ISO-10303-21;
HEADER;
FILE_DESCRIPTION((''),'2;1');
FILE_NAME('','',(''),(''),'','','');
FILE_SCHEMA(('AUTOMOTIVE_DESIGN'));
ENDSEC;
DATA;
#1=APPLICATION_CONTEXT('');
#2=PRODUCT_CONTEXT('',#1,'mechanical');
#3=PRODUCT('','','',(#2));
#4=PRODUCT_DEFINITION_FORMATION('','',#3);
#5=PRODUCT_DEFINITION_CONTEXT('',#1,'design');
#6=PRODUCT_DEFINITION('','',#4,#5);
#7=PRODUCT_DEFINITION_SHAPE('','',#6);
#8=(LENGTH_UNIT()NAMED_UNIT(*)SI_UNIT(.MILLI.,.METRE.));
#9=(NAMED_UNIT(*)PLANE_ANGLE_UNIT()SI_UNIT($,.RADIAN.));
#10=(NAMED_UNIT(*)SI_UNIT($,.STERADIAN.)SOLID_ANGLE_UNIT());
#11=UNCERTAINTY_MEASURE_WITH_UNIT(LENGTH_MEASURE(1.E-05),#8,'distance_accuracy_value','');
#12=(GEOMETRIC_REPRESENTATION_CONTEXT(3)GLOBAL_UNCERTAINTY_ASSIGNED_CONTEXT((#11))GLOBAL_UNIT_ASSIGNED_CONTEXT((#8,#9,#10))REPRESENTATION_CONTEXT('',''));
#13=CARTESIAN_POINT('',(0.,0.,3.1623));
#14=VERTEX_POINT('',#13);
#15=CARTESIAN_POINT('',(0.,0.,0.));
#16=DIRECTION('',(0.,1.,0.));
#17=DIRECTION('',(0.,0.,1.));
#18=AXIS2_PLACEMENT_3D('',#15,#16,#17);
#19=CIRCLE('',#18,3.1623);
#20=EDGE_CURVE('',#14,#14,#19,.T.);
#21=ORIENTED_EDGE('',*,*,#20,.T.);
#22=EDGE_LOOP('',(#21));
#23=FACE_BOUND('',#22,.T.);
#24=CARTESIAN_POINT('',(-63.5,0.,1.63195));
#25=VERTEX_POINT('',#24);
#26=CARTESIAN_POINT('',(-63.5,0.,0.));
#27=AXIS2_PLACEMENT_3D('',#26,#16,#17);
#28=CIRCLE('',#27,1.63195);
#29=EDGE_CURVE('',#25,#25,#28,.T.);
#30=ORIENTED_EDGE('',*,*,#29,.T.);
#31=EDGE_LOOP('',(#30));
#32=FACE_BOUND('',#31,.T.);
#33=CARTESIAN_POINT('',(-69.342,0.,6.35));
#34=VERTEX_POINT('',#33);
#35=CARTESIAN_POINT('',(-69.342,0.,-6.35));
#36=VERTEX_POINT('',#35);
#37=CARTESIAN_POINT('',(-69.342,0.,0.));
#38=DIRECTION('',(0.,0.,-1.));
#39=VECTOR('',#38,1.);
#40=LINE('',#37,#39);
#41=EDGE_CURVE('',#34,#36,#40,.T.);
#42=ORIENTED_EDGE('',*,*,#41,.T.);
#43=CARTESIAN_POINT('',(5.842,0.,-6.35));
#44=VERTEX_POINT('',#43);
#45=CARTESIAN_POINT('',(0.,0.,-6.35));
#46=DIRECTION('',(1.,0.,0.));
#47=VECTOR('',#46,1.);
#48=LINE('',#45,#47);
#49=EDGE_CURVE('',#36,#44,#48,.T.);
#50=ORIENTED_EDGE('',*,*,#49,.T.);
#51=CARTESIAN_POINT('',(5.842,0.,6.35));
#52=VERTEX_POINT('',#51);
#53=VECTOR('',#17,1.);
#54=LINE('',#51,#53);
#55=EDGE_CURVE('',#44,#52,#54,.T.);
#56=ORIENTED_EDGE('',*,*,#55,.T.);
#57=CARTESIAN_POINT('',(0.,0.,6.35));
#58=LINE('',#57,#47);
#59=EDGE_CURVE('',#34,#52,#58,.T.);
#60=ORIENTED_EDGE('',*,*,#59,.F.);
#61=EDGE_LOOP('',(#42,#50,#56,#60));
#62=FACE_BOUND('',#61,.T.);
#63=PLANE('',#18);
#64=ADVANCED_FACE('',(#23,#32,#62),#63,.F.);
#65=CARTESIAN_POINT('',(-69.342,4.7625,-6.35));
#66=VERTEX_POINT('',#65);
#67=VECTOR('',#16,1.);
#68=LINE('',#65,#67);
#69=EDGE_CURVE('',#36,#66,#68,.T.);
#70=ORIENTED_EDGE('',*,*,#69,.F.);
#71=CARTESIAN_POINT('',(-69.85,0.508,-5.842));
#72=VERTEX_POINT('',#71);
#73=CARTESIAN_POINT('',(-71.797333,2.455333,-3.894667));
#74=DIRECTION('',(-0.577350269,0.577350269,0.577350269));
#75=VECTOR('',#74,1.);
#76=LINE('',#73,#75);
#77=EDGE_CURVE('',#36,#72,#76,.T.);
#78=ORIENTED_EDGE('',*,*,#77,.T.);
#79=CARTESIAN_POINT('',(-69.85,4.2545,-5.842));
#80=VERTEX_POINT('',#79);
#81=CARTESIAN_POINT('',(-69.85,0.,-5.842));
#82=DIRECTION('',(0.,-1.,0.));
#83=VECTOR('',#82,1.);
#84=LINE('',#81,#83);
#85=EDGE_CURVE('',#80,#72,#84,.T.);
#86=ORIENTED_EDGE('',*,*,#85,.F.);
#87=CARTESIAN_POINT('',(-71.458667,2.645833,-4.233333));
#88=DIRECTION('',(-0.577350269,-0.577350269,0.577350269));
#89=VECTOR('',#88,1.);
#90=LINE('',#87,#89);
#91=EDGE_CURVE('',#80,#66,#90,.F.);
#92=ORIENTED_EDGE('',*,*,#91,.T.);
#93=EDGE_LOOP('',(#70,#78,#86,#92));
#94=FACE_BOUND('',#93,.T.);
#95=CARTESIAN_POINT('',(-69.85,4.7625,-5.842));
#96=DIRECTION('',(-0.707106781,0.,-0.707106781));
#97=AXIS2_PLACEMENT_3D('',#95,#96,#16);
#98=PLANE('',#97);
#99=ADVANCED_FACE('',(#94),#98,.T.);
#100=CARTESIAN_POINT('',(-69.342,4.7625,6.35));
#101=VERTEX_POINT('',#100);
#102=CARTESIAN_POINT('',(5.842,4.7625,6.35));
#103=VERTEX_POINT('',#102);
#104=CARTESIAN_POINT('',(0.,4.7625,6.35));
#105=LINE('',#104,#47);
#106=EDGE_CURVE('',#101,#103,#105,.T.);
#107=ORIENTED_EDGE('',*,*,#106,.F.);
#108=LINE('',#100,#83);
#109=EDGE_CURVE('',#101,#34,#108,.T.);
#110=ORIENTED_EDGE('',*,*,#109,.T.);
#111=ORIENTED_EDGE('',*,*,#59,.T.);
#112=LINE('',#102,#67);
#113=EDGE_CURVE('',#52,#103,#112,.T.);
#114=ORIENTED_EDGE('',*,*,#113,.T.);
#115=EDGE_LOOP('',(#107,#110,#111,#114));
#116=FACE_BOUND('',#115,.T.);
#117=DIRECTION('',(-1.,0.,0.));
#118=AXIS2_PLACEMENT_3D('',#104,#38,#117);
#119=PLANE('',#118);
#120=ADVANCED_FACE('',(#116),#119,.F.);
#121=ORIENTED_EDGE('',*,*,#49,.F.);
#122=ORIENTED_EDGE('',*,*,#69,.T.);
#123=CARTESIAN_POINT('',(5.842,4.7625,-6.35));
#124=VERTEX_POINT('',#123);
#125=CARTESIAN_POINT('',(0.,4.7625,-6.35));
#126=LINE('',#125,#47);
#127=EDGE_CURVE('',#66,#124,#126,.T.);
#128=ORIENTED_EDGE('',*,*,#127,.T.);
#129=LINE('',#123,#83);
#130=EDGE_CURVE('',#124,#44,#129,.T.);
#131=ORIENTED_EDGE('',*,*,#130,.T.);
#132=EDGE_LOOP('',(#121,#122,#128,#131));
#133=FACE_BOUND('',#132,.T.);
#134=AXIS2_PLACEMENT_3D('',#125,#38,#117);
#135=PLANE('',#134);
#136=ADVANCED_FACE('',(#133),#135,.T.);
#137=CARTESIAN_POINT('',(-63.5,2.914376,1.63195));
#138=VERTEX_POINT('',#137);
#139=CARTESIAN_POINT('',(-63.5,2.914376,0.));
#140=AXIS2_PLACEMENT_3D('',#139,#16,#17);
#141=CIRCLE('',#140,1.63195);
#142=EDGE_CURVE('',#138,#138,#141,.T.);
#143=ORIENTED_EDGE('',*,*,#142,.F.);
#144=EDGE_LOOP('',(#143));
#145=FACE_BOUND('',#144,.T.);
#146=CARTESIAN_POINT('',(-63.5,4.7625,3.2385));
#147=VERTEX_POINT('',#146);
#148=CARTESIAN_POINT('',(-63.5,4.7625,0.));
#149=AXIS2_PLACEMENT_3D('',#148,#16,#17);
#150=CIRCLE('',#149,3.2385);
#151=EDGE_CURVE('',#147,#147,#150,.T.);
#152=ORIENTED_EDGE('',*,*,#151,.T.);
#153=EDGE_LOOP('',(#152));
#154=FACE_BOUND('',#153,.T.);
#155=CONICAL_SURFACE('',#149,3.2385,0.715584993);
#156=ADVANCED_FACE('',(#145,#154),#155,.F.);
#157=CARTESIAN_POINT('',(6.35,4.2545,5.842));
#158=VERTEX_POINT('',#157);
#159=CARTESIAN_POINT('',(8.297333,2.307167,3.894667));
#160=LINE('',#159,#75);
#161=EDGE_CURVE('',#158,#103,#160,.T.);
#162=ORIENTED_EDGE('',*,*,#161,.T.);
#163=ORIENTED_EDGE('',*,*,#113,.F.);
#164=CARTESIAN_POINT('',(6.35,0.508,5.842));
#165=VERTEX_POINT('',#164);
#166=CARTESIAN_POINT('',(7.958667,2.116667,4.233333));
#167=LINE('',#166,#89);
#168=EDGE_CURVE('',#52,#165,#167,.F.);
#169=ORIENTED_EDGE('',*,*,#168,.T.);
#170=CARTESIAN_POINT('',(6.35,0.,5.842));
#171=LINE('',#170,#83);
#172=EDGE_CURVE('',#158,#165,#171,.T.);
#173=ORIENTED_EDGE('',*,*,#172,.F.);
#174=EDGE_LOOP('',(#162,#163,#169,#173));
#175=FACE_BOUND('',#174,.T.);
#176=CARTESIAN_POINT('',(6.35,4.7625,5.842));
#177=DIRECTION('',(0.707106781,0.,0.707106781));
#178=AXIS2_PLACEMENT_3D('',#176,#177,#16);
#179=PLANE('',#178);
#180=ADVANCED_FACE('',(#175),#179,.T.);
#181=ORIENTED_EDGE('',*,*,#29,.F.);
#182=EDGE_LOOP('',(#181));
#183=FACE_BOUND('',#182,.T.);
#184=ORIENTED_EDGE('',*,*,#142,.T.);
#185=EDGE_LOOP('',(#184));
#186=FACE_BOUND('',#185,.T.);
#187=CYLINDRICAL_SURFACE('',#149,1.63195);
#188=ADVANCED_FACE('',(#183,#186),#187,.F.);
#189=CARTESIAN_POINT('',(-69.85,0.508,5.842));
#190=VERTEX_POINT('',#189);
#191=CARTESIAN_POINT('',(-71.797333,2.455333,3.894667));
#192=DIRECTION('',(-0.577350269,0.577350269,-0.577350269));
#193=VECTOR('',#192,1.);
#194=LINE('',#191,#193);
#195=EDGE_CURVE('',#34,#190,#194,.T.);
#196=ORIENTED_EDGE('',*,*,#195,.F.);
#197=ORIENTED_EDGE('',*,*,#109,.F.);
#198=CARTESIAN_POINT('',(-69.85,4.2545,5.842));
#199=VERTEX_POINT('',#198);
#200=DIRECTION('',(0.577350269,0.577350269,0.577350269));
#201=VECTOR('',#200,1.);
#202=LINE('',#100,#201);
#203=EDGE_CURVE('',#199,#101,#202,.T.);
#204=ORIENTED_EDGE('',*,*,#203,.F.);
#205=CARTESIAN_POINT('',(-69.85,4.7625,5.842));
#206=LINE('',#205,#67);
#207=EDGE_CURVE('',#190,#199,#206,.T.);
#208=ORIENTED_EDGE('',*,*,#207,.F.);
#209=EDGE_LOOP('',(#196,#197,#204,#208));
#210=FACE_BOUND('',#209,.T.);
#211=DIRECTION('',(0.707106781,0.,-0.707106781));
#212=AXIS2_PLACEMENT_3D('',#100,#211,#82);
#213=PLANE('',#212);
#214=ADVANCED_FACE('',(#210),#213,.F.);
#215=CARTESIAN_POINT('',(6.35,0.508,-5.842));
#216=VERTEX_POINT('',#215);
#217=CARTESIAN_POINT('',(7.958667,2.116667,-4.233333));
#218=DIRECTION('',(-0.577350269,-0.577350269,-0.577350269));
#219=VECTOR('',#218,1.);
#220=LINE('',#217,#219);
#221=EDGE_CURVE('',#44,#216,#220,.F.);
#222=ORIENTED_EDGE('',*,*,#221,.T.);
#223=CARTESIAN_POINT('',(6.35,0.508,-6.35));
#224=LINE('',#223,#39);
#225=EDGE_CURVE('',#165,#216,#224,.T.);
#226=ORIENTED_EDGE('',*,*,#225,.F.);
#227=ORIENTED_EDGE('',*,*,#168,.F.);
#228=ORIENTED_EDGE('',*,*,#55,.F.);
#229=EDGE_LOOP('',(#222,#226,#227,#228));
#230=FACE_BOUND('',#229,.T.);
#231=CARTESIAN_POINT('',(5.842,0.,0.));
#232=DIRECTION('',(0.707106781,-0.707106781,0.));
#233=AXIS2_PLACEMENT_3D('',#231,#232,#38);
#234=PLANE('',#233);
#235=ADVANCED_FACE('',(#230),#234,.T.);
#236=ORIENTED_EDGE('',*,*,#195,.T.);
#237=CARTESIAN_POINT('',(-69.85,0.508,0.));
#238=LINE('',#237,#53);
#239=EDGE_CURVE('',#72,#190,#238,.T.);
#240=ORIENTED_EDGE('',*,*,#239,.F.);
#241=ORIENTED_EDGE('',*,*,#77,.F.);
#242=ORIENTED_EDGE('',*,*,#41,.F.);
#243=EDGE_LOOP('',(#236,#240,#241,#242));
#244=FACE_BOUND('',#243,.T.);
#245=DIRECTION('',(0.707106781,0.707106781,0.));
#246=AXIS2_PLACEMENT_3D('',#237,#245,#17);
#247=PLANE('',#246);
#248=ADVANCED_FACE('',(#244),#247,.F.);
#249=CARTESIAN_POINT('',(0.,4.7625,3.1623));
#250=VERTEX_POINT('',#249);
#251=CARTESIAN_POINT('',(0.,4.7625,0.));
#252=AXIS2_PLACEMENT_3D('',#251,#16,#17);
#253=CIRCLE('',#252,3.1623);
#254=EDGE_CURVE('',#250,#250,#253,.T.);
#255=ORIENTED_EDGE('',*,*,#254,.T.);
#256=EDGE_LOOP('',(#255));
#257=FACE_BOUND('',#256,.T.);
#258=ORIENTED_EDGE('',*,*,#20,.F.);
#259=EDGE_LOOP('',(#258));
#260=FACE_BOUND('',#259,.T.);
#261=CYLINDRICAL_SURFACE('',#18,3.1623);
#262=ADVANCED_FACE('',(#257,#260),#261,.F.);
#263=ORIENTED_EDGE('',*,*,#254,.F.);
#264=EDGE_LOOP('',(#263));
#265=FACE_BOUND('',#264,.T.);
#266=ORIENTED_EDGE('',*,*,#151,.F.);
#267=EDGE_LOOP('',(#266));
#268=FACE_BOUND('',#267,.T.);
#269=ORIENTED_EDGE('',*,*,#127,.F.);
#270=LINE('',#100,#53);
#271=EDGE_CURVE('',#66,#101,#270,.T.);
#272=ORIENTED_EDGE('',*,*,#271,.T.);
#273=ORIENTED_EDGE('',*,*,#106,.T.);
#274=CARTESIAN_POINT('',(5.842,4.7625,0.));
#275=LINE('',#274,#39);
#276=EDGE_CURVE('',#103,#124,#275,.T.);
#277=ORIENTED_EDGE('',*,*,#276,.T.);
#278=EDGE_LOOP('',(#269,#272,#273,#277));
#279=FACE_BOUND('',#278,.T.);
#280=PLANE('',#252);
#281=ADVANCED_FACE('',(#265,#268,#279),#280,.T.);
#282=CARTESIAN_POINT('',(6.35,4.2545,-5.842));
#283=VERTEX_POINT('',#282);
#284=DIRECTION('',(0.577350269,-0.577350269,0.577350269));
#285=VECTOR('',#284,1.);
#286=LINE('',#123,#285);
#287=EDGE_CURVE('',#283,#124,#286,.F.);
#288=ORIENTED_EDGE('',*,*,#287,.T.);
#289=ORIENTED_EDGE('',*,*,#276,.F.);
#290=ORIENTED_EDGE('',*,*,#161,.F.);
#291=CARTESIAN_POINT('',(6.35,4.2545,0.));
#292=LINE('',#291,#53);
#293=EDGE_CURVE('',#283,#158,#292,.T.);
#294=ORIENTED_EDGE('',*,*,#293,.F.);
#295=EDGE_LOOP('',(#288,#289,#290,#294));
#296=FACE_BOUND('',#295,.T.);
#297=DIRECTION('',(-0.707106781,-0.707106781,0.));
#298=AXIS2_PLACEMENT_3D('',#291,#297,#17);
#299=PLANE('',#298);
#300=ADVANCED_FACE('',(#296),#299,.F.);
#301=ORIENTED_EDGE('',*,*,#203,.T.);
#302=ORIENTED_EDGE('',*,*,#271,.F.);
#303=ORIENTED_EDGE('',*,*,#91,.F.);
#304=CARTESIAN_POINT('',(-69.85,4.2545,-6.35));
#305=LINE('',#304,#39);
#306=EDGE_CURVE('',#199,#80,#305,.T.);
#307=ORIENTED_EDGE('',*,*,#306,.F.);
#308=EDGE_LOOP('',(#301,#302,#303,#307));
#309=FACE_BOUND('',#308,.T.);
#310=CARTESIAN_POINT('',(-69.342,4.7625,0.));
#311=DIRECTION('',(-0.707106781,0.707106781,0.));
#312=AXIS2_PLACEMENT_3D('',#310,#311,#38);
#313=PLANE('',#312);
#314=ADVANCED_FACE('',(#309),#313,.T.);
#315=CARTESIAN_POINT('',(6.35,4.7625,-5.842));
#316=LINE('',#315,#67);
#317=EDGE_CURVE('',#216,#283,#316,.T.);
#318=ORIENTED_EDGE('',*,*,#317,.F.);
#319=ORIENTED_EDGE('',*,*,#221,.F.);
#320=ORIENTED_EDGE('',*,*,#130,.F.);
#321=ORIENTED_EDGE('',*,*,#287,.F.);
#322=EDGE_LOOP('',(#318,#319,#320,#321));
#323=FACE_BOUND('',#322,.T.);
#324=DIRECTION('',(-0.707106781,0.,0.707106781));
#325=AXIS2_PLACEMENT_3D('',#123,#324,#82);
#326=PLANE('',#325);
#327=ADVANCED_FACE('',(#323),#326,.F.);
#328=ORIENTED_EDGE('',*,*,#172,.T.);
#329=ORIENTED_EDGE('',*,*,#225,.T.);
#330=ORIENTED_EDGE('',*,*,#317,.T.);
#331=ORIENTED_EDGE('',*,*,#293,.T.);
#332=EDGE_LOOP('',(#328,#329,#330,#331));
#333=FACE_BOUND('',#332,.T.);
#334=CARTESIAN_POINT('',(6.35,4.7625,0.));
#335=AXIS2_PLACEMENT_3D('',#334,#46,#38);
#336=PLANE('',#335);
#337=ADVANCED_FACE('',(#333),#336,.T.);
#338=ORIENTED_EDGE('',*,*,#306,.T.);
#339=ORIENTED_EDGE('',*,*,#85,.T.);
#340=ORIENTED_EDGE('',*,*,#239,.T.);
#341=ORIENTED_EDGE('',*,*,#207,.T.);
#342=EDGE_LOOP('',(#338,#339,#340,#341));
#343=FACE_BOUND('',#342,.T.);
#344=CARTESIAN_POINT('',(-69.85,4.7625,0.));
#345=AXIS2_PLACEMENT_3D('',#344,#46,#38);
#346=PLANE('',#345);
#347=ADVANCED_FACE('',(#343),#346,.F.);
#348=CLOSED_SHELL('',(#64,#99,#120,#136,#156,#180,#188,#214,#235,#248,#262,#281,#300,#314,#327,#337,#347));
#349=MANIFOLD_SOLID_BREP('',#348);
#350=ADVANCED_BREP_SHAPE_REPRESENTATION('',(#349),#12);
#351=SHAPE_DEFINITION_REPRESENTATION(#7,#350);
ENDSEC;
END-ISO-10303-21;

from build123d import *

# Parameters (mm, degrees)
SKETCH1_W                                         = 76.2
SKETCH1_H                                         = 12.7
BOSS_EXTRUDE2_DEPTH                               = 4.7625
CSK_FOR_4_FLAT_HEAD_SOCKET_CAP_SCREW1_D           = 3.2639
CSK_FOR_4_FLAT_HEAD_SOCKET_CAP_SCREW1_CSINK_D     = 6.477
CSK_FOR_4_FLAT_HEAD_SOCKET_CAP_SCREW1_CSINK_ANGLE = 82
CUT_EXTRUDE1_DEPTH                                = 5.7625
CHAMFER1_SIZE                                     = 0.508


with BuildPart() as part:
    # Sketch1 → Boss-Extrude2 (new body)
    with BuildSketch(Plane(origin=(0, 0, 0), x_dir=(1, 0, 0), z_dir=(0, 1, 0))):
        with Locations((-31.75, 0)):
            Rectangle(SKETCH1_W, SKETCH1_H)
    extrude(amount=BOSS_EXTRUDE2_DEPTH)

    # CSK for #4 Flat Head Socket Cap Screw1 (through all)
    with Locations(Plane(origin=(0, 4.7625, 0), x_dir=(1, 0, 0), z_dir=(0, 1, 0))):
        with Locations((-63.5, 0)):
            CounterSinkHole(CSK_FOR_4_FLAT_HEAD_SOCKET_CAP_SCREW1_D / 2, CSK_FOR_4_FLAT_HEAD_SOCKET_CAP_SCREW1_CSINK_D / 2, counter_sink_angle=CSK_FOR_4_FLAT_HEAD_SOCKET_CAP_SCREW1_CSINK_ANGLE)

    # Sketch2 → Cut-Extrude1 (cut, through all)
    with BuildSketch(Plane(origin=(0, 4.7625, 0), x_dir=(1, 0, 0), z_dir=(0, 1, 0))):
        with BuildLine():
            ThreePointArc((3.1623, 0), (2.236083774, 2.236083774), (0, 3.1623))
            Line((0, 3.1623), (0, -3.1623))
            ThreePointArc((0, -3.1623), (2.236083774, -2.236083774), (3.1623, 0))
        make_face()
        with BuildLine():
            Line((0, -3.1623), (0, 3.1623))
            ThreePointArc((0, 3.1623), (-3.1623, 0), (0, -3.1623))
        make_face()
    extrude(amount=-CUT_EXTRUDE1_DEPTH, mode=Mode.SUBTRACT)

    # Chamfer1
    chamfer1_edges = [part.edges().sort_by_distance(p)[0] for p in [
        (-69.85, 2.38125, 6.35),
        (-69.85, 2.38125, -6.35),
        (6.35, 2.38125, -6.35),
        (6.35, 2.38125, 6.35),
        (6.35, 4.7625, 0),
        (-69.85, 4.7625, 0),
        (-69.85, 0, 0),
        (6.35, 0, 0),
    ]]
    chamfer(chamfer1_edges, length=CHAMFER1_SIZE)


solid = part.part
